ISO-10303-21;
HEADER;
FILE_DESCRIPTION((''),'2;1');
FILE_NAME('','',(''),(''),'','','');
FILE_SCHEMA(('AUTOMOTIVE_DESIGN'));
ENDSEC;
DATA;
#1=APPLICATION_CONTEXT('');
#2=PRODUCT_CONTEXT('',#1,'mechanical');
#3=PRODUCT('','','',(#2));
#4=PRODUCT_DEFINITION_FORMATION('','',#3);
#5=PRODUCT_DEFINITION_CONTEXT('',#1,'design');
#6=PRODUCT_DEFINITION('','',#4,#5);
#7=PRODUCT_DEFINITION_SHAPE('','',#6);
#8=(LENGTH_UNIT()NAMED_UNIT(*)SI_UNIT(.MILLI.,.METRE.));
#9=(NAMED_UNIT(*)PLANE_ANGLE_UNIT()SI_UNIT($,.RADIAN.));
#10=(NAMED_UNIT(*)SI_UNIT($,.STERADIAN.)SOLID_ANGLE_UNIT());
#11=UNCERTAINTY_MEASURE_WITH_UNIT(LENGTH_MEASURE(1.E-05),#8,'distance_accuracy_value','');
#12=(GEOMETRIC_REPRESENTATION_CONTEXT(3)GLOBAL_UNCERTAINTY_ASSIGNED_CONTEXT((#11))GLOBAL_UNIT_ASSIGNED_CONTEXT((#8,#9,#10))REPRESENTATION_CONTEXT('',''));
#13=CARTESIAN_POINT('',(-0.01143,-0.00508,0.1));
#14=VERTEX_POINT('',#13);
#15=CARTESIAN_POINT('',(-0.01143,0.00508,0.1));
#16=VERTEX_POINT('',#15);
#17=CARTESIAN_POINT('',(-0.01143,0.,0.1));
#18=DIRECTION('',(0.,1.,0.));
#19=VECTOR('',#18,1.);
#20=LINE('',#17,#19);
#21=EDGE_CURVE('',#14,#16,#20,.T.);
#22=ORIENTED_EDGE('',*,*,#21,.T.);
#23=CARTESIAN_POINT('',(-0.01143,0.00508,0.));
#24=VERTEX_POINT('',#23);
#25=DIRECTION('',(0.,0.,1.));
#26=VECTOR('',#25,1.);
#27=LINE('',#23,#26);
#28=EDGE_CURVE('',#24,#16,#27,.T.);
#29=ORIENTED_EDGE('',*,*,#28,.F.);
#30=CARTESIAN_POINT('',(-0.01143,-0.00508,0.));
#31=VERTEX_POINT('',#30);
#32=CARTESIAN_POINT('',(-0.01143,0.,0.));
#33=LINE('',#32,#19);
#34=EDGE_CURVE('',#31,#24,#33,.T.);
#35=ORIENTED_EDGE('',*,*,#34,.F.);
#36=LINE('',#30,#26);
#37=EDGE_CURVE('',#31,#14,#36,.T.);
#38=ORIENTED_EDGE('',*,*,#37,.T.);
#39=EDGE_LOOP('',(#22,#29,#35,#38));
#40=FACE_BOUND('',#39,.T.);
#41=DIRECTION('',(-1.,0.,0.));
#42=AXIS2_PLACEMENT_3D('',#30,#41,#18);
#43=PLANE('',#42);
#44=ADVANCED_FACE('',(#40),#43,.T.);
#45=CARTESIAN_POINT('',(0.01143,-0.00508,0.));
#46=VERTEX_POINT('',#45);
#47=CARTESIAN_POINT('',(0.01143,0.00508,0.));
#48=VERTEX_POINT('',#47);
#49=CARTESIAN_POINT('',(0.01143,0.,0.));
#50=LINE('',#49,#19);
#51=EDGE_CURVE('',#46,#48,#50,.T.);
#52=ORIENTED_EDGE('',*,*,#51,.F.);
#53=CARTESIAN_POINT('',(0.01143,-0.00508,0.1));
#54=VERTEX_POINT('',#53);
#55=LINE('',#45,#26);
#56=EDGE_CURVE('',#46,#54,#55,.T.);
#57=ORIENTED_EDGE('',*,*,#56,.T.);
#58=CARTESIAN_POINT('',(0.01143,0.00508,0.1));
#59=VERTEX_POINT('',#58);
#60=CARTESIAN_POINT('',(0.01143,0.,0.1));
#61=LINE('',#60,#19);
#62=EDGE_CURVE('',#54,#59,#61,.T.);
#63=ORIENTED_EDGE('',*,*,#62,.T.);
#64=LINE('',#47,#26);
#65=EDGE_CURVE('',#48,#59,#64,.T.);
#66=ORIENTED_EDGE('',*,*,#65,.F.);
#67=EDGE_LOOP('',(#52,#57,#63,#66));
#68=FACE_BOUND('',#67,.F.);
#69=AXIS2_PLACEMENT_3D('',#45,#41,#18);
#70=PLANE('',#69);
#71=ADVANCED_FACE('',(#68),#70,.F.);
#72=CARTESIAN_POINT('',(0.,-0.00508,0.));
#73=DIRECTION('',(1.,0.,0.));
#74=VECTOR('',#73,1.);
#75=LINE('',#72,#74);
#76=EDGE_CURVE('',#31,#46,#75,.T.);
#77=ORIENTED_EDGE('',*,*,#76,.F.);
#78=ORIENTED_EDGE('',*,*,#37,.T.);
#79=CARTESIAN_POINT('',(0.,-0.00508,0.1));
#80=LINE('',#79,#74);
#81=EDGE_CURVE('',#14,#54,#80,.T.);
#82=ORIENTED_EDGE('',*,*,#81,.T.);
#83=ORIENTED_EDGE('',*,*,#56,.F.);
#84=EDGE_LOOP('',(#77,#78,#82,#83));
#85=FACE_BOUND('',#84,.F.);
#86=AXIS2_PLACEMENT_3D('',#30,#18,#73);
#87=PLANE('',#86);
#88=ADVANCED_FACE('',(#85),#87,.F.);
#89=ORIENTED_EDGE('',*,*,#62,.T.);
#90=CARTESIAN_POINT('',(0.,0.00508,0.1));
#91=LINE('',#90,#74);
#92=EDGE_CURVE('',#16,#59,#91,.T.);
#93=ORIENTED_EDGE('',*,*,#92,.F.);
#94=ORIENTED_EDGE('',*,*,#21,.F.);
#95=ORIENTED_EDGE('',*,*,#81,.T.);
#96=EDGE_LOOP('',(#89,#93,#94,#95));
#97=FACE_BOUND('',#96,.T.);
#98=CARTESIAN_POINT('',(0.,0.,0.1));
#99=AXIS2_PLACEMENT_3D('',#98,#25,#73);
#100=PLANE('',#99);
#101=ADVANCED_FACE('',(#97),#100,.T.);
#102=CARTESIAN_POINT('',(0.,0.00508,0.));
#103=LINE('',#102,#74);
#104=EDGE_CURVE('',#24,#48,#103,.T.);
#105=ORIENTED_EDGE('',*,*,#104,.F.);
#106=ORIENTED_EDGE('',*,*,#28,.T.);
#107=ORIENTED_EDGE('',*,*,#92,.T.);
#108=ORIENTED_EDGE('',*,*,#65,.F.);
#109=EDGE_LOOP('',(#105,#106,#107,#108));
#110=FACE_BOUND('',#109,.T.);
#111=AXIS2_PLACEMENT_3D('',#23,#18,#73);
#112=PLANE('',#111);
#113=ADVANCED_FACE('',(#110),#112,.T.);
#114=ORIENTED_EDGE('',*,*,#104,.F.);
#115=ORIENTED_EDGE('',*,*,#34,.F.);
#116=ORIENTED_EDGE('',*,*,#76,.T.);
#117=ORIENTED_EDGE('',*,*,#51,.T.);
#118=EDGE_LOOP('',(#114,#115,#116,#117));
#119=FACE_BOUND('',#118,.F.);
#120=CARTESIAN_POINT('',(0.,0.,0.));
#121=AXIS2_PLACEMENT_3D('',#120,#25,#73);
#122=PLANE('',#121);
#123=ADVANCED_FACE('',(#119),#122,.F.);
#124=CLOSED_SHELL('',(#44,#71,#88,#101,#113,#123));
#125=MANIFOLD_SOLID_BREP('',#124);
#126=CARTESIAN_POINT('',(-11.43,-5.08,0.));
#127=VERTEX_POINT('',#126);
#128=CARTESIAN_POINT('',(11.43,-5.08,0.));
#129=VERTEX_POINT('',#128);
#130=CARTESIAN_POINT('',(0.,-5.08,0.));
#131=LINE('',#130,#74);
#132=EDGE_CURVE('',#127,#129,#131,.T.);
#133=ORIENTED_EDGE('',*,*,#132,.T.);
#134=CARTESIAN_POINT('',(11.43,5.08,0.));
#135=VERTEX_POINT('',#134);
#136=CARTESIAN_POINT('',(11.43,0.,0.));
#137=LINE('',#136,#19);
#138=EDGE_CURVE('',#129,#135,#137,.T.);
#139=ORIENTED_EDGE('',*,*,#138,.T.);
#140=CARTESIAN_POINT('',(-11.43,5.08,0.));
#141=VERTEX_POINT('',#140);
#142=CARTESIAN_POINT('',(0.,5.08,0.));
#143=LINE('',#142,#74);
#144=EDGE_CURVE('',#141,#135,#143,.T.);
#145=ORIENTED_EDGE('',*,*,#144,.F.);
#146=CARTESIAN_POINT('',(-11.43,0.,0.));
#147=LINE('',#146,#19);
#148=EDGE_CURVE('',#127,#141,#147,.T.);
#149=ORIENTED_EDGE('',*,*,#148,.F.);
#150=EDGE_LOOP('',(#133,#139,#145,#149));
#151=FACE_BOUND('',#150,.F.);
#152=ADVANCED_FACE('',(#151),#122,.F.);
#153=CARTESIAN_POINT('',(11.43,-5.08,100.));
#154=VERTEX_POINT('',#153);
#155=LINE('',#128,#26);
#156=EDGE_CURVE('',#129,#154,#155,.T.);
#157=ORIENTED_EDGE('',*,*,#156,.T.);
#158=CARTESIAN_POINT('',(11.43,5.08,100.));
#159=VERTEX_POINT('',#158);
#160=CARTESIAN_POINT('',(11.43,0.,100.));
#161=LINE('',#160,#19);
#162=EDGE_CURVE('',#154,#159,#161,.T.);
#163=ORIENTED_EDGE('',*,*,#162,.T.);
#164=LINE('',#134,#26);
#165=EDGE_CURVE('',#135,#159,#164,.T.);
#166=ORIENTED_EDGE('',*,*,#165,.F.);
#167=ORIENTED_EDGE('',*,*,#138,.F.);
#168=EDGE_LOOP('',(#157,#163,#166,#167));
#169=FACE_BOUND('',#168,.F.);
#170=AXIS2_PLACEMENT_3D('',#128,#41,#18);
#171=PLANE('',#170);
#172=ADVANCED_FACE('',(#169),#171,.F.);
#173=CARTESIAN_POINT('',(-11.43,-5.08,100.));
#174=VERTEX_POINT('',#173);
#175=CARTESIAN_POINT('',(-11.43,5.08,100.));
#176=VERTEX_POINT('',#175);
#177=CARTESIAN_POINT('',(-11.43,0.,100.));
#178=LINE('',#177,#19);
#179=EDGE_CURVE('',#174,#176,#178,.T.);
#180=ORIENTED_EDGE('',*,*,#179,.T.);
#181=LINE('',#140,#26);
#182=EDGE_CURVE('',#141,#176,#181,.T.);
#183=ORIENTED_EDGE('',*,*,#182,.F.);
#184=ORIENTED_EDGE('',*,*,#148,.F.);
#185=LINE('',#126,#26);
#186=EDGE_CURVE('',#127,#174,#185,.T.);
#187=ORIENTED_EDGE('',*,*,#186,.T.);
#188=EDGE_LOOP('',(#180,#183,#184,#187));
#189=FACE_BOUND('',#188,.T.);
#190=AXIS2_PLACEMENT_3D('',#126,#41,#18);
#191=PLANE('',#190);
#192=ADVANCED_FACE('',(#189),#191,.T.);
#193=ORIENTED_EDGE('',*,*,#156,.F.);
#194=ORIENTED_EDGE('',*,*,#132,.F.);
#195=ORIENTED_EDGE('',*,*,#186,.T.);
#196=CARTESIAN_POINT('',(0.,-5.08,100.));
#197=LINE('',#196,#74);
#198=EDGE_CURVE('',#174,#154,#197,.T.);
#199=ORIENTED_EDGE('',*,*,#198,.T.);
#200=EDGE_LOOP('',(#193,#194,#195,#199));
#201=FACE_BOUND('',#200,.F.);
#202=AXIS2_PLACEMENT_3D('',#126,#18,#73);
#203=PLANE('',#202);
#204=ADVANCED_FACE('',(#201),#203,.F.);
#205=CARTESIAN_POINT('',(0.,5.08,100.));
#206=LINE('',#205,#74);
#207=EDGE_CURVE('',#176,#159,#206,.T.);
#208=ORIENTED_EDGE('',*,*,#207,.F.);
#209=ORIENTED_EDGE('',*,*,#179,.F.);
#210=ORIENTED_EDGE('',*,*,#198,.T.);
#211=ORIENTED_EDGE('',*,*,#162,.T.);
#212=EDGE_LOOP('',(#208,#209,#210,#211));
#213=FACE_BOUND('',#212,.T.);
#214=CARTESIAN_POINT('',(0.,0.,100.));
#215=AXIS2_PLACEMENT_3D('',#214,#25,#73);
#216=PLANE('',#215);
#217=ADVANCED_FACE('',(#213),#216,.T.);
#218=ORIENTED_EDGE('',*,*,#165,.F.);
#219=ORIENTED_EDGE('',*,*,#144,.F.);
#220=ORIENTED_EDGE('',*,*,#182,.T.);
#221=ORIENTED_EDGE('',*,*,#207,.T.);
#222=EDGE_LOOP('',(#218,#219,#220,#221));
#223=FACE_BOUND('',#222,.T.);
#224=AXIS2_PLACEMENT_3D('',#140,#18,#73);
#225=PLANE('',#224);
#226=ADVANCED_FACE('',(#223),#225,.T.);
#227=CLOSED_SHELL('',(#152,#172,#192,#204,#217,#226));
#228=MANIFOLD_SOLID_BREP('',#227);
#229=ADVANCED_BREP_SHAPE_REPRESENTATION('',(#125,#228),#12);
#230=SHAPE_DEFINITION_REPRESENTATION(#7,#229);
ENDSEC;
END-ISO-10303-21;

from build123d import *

# Parameters (mm, degrees)
RECTANGLE_W       = 22.86
RECTANGLE_H       = 10.16
EXTRUDE_DEPTH     = 100
CLONE_SCALE_SCALE = 0.001


with BuildPart() as extrude_body:
    # Rectangle → Extrude (new body)
    with BuildSketch(Plane(origin=(-11.43, -5.08, 0), x_dir=(1, 0, 0), z_dir=(0, 0, 1))):
        with Locations((11.43, 5.08)):
            Rectangle(RECTANGLE_W, RECTANGLE_H)
    extrude(amount=EXTRUDE_DEPTH)


with BuildPart() as scaled:
    # Clone base: copy of Extrude body
    add(extrude_body.part)


with BuildPart() as scaled_1:
    # Clone scale: moved
    add(scaled.part.scale(CLONE_SCALE_SCALE))


solid = Compound([extrude_body.part, scaled_1.part])
